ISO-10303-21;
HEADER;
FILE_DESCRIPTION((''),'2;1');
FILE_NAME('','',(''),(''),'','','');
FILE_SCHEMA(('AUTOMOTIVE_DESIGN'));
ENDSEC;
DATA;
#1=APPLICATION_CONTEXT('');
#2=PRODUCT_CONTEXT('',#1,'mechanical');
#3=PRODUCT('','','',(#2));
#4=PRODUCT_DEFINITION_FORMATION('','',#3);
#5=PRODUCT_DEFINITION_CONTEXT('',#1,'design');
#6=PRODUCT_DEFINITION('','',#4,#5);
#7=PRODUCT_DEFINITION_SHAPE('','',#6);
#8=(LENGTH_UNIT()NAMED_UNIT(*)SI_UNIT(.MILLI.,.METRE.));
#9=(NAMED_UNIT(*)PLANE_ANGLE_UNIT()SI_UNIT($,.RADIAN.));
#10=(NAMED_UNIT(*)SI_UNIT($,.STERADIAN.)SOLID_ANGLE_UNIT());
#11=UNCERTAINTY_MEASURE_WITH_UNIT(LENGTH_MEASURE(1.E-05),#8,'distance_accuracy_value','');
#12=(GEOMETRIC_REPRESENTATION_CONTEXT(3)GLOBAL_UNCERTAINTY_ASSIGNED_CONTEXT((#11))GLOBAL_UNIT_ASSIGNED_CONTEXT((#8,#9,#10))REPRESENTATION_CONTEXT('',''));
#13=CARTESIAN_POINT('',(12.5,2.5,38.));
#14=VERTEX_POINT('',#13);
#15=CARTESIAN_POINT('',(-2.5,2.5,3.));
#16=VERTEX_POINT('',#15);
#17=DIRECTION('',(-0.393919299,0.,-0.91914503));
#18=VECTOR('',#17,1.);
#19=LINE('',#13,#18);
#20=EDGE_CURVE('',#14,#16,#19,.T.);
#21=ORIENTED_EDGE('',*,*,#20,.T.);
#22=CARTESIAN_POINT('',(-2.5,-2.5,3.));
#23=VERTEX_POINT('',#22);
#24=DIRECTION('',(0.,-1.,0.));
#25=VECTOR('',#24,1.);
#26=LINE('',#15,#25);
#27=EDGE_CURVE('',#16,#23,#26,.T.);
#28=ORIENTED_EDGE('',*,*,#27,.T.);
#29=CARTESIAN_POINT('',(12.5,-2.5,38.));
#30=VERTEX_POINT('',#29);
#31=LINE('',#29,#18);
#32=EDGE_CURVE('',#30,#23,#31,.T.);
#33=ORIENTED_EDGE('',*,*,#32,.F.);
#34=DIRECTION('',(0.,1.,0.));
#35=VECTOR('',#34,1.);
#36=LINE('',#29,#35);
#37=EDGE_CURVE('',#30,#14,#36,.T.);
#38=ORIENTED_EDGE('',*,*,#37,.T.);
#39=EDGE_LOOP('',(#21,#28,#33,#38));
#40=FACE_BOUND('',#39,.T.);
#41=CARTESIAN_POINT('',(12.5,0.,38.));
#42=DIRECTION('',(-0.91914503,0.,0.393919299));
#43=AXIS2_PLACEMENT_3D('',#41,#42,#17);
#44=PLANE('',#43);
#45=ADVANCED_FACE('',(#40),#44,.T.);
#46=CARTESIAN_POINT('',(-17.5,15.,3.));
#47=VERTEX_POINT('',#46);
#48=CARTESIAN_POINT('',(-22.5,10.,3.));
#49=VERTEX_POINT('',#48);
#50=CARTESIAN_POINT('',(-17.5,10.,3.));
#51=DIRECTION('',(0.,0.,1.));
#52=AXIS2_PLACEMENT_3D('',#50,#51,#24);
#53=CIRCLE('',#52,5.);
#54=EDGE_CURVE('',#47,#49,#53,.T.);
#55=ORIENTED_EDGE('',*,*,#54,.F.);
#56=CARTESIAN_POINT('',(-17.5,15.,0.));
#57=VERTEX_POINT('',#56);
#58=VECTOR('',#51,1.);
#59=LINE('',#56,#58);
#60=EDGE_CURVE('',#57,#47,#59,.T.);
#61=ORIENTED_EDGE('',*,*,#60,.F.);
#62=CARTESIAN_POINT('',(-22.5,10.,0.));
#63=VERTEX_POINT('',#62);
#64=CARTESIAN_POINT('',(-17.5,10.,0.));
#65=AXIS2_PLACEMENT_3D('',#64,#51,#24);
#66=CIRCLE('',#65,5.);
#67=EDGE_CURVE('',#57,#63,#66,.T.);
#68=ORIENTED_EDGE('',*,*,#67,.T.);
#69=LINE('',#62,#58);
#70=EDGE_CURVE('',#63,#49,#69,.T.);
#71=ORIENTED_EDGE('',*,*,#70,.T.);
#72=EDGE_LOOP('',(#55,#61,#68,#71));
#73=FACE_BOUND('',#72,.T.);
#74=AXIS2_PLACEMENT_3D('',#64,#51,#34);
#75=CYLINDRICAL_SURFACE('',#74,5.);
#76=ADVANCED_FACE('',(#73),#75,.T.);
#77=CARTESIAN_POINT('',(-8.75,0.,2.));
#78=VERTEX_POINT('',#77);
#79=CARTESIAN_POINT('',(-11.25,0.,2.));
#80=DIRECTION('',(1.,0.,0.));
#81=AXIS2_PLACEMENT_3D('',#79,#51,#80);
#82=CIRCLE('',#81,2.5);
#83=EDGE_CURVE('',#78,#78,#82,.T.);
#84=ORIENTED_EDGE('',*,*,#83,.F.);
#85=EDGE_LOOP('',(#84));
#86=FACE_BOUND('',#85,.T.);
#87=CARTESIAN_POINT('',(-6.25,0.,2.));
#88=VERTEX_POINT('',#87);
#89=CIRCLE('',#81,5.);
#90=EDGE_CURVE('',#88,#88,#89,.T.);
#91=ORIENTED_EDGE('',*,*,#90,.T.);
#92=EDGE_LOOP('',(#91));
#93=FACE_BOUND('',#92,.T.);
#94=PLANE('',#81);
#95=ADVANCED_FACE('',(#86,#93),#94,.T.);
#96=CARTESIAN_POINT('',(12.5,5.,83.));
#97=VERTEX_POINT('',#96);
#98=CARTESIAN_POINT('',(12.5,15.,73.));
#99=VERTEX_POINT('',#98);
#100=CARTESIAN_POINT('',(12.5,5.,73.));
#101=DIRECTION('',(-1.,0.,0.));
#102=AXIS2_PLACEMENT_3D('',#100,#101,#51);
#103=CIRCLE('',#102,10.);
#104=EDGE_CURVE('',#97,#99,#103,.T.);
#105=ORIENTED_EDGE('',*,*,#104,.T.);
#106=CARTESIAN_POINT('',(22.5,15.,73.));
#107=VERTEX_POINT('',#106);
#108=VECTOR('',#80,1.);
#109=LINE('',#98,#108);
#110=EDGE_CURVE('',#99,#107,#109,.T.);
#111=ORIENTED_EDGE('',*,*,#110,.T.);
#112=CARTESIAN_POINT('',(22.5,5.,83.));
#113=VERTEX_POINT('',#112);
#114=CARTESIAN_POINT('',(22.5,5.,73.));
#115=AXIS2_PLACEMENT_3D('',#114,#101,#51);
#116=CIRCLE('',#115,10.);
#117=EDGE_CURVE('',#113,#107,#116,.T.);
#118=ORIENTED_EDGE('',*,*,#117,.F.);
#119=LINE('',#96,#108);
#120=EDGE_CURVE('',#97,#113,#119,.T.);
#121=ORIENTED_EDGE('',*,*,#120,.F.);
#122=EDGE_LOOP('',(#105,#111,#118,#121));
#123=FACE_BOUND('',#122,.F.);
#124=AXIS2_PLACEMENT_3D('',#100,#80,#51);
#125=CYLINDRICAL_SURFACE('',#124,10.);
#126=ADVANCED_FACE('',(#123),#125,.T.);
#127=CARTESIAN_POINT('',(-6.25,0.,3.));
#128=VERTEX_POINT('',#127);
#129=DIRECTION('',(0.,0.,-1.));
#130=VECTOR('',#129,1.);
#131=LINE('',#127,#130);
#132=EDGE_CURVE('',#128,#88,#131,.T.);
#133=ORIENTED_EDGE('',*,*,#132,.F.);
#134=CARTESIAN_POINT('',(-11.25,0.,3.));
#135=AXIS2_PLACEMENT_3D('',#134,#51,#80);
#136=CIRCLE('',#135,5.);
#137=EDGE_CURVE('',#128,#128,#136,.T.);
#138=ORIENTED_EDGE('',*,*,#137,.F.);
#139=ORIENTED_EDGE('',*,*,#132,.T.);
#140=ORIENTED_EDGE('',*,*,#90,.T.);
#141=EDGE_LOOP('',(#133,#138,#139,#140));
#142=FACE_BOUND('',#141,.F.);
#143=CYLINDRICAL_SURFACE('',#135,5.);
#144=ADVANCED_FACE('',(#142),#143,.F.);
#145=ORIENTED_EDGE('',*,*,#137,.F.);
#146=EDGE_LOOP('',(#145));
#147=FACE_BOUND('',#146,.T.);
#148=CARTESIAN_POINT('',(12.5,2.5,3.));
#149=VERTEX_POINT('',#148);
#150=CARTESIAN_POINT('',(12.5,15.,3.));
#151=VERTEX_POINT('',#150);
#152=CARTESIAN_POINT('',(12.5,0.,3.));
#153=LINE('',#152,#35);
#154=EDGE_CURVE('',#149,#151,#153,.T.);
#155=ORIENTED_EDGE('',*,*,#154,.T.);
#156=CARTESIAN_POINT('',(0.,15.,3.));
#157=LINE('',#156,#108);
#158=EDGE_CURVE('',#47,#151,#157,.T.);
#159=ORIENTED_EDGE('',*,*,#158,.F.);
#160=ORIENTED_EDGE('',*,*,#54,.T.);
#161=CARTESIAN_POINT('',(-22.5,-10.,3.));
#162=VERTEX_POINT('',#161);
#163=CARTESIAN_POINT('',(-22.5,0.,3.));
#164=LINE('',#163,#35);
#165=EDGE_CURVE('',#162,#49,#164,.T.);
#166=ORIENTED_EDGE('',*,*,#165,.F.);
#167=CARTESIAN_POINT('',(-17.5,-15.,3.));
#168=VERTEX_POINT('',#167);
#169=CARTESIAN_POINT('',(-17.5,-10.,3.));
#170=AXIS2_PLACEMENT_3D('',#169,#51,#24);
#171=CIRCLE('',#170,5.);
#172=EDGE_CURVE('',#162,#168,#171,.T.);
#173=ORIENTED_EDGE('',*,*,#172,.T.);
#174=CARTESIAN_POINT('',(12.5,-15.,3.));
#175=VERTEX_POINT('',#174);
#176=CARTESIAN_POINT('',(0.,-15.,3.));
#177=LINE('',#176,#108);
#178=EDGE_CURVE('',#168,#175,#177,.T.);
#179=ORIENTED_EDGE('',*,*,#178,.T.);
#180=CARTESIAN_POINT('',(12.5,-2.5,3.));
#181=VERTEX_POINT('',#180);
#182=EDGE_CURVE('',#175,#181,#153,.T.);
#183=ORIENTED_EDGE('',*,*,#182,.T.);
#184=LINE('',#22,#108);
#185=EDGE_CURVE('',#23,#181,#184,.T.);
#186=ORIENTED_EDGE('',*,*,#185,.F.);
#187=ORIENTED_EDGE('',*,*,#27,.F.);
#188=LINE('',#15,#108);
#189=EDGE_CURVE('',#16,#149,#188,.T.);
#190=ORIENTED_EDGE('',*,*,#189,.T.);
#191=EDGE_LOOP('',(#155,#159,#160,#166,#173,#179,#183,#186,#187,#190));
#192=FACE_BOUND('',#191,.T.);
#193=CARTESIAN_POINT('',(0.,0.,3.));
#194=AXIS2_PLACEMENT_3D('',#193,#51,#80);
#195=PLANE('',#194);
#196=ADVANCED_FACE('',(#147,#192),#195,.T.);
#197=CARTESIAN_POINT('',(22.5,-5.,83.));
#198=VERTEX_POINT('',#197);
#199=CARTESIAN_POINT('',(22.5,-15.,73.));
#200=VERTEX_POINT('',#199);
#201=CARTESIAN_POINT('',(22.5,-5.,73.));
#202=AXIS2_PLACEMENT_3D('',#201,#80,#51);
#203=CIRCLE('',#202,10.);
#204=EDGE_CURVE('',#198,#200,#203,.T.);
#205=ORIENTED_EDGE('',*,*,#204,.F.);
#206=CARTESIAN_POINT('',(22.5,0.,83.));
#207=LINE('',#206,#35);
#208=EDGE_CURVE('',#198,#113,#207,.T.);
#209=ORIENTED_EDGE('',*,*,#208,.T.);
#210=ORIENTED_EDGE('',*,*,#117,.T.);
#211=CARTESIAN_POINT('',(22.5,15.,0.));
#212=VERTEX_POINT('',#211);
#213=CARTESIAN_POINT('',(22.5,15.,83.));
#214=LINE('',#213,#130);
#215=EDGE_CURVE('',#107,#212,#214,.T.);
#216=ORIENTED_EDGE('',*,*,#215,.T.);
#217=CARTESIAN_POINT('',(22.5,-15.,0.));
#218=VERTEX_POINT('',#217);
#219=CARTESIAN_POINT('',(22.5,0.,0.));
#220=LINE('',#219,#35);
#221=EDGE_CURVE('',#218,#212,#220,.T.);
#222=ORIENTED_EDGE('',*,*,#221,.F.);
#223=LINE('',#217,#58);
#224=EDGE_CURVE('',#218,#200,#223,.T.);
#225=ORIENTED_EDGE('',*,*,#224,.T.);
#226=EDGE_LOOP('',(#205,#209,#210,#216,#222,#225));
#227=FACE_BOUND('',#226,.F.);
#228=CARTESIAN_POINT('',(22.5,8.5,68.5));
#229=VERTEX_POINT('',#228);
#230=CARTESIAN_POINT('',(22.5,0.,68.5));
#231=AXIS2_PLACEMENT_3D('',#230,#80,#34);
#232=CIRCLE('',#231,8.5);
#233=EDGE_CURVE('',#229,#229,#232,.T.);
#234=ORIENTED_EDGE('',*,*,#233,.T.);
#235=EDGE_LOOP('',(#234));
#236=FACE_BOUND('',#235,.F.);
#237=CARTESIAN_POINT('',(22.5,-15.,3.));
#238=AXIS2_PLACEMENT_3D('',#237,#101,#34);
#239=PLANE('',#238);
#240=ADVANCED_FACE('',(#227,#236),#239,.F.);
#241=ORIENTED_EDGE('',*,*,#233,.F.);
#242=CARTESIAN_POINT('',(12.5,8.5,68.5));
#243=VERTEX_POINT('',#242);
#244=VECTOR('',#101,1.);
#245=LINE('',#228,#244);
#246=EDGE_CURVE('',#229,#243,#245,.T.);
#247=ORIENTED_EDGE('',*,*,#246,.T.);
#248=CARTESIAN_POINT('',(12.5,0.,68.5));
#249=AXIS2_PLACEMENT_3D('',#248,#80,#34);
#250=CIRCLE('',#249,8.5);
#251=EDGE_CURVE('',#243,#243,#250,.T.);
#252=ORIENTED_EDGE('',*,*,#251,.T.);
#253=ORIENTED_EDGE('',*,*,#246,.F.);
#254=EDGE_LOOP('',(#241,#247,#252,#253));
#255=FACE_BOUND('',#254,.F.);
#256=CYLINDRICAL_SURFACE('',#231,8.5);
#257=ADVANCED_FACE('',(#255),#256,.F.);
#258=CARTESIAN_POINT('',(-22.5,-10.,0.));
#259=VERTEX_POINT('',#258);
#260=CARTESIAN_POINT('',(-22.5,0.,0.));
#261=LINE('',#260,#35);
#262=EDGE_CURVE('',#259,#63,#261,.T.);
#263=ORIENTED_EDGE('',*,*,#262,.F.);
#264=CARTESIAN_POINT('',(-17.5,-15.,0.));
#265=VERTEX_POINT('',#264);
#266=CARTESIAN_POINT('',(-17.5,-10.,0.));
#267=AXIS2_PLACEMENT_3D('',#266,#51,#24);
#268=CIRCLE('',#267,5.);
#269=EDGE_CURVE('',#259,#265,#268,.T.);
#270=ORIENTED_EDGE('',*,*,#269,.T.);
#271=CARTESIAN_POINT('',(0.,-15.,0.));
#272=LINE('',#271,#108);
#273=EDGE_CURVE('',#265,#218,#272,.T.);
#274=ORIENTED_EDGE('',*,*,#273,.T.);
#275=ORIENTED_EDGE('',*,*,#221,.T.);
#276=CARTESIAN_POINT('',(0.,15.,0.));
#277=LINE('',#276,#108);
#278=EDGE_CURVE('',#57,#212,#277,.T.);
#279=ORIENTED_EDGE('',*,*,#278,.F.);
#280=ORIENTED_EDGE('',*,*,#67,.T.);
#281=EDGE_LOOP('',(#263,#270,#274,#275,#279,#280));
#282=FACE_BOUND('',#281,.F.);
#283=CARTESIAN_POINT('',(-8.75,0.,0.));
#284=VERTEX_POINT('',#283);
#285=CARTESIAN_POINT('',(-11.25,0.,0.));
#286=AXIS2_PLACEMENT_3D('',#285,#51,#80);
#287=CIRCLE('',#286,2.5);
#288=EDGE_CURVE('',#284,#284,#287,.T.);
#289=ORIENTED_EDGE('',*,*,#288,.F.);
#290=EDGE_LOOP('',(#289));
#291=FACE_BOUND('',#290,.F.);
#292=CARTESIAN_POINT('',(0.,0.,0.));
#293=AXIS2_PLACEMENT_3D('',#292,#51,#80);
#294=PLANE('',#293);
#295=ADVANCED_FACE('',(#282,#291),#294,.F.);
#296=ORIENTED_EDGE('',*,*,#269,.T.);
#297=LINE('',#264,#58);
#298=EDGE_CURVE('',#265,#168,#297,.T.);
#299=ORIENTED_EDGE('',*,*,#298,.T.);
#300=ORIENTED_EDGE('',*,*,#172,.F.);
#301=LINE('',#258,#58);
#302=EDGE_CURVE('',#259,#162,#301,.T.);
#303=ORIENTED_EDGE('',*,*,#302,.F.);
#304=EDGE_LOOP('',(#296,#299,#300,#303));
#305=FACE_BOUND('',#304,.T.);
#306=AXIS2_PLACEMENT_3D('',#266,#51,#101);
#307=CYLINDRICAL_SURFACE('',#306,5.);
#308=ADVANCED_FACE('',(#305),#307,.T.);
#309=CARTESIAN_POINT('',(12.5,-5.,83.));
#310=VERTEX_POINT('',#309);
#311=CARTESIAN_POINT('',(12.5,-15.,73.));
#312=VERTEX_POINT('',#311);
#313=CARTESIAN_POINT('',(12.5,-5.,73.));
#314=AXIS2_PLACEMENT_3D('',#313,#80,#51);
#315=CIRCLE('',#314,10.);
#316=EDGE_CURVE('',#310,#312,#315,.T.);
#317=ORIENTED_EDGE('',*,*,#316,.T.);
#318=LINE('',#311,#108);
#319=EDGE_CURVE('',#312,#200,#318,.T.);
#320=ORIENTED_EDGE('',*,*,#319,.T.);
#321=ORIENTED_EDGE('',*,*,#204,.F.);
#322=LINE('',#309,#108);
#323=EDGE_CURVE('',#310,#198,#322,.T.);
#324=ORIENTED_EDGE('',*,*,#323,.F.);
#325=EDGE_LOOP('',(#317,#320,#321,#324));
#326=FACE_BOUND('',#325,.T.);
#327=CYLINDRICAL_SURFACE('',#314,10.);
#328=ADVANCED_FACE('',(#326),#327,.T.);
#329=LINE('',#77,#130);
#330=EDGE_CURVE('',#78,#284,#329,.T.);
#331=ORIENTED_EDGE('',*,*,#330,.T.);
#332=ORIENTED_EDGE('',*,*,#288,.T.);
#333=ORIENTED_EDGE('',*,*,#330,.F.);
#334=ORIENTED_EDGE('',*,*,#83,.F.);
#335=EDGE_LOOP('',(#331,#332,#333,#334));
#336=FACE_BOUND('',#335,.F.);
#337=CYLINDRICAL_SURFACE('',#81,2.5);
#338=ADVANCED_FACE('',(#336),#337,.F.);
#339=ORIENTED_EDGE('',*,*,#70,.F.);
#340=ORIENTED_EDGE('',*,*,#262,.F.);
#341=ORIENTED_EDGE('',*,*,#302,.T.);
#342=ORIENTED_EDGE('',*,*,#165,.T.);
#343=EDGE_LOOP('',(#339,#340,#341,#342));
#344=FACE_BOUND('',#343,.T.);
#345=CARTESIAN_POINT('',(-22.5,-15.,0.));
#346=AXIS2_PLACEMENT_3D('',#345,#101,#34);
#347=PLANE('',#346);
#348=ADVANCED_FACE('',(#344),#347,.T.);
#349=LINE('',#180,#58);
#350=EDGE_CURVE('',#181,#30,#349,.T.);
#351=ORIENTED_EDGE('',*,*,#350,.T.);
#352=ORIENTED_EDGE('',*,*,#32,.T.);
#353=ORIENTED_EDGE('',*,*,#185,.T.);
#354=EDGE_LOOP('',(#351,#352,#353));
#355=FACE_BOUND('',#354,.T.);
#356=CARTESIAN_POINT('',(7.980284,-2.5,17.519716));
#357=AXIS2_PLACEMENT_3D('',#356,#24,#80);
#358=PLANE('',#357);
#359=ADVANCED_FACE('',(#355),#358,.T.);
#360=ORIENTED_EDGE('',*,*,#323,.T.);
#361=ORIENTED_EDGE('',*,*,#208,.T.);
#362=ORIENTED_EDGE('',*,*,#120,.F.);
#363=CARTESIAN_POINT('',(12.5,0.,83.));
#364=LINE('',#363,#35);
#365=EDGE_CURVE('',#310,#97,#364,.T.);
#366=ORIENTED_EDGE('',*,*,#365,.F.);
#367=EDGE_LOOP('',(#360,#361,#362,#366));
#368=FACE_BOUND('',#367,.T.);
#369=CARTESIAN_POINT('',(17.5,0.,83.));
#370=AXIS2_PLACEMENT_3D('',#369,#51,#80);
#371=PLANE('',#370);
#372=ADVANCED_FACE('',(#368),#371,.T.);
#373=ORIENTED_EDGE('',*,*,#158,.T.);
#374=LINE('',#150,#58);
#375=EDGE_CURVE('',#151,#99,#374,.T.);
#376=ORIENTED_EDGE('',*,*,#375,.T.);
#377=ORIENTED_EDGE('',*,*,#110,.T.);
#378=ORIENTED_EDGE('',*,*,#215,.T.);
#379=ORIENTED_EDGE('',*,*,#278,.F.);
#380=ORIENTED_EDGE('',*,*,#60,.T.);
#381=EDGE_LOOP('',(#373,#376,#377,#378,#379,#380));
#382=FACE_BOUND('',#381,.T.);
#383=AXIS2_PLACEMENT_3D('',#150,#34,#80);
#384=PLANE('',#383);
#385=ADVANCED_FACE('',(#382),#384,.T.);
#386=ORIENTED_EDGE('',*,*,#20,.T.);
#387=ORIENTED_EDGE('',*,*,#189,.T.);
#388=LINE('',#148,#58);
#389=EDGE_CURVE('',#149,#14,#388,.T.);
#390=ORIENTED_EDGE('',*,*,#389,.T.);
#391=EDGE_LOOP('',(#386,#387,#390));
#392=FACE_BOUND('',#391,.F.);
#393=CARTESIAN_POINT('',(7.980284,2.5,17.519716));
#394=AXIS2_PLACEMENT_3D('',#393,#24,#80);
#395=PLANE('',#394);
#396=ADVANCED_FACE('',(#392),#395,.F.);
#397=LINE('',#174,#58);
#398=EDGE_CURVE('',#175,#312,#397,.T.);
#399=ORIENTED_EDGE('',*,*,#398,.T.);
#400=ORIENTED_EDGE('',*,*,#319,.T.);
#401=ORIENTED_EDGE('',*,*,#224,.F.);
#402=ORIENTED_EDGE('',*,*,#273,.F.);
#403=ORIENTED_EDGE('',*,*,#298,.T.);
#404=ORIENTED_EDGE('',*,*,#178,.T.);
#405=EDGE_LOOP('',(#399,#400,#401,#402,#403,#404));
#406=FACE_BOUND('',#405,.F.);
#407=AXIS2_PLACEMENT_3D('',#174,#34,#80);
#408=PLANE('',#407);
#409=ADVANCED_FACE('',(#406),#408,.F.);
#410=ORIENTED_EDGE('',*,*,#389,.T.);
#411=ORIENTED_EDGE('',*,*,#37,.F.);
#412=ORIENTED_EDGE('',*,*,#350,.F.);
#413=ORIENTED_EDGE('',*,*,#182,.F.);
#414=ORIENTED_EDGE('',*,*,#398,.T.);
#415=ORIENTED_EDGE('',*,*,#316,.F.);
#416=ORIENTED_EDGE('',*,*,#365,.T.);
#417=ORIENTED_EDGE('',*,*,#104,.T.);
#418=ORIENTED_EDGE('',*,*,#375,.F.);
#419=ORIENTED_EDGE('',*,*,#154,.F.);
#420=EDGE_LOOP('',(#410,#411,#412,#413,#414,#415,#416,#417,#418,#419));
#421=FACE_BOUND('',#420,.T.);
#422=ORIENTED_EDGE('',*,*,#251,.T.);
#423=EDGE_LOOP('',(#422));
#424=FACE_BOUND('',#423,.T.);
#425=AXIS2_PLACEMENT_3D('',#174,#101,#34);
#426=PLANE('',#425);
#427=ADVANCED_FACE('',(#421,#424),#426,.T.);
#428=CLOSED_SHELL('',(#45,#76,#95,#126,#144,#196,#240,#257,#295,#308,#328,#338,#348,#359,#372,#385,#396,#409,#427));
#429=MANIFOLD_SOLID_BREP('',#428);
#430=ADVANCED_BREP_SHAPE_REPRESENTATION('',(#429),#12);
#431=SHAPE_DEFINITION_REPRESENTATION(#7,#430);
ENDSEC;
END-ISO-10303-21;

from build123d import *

# Parameters (mm, degrees)
F0_W      = 45
F0_H      = 30
F1_DEPTH  = 3
F2_R      = 5
F3_DEPTH  = 1
F4_R      = 2.5
F5_DEPTH  = 2
F6_W      = 10
F6_H      = 30
F7_DEPTH  = 80
F9_DEPTH  = 2.5
F10_R     = 8.5
F11_DEPTH = 10
F12_R     = 10
F13_R     = 10
F14_R     = 5
F15_R     = 5


with BuildPart() as f1:
    # F0 (on Top) → F1 (new body)
    with BuildSketch(Plane.XY):
        Rectangle(F0_W, F0_H)
    extrude(amount=F1_DEPTH)

    # F2 (on face) → F3 (cut)
    with BuildSketch(Plane.XY.offset(3)):
        with Locations((-11.25, 0)):
            Circle(F2_R)
    extrude(amount=-F3_DEPTH, mode=Mode.SUBTRACT)

    # F4 (on face) → F5 (cut, through all)
    with BuildSketch(Plane.XY.offset(2)):
        with Locations((-11.25, 0)):
            Circle(F4_R)
    extrude(amount=-F5_DEPTH, mode=Mode.SUBTRACT)

    # F6 (on face) → F7 (join)
    with BuildSketch(Plane.XY.offset(3)):
        with Locations((17.5, 0)):
            Rectangle(F6_W, F6_H)
    extrude(amount=F7_DEPTH)

    # F8 (on Front) → F9 (join, symmetric)
    with BuildSketch(Plane.XZ):
        Polygon((12.5, 38), (-2.5, 3), (12.5, 3), align=None)
    extrude(amount=F9_DEPTH, both=True)

    # F10 (on face) → F11 (cut, through all)
    with BuildSketch(Plane.YZ.offset(22.5)):
        with Locations((0, 68.5)):
            Circle(F10_R)
    extrude(amount=-F11_DEPTH, mode=Mode.SUBTRACT)

    # F12
    f12_edges = [f1.edges().sort_by_distance(p)[0] for p in [
        (17.5, 15, 83),
    ]]
    fillet(f12_edges, radius=F12_R)

    # F13
    f13_edges = [f1.edges().sort_by_distance(p)[0] for p in [
        (17.5, -15, 83),
    ]]
    fillet(f13_edges, radius=F13_R)

    # F14
    f14_edges = [f1.edges().sort_by_distance(p)[0] for p in [
        (-22.5, 15, 1.5),
    ]]
    fillet(f14_edges, radius=F14_R)

    # F15
    f15_edges = [f1.edges().sort_by_distance(p)[0] for p in [
        (-22.5, -15, 1.5),
    ]]
    fillet(f15_edges, radius=F15_R)


solid = f1.part
